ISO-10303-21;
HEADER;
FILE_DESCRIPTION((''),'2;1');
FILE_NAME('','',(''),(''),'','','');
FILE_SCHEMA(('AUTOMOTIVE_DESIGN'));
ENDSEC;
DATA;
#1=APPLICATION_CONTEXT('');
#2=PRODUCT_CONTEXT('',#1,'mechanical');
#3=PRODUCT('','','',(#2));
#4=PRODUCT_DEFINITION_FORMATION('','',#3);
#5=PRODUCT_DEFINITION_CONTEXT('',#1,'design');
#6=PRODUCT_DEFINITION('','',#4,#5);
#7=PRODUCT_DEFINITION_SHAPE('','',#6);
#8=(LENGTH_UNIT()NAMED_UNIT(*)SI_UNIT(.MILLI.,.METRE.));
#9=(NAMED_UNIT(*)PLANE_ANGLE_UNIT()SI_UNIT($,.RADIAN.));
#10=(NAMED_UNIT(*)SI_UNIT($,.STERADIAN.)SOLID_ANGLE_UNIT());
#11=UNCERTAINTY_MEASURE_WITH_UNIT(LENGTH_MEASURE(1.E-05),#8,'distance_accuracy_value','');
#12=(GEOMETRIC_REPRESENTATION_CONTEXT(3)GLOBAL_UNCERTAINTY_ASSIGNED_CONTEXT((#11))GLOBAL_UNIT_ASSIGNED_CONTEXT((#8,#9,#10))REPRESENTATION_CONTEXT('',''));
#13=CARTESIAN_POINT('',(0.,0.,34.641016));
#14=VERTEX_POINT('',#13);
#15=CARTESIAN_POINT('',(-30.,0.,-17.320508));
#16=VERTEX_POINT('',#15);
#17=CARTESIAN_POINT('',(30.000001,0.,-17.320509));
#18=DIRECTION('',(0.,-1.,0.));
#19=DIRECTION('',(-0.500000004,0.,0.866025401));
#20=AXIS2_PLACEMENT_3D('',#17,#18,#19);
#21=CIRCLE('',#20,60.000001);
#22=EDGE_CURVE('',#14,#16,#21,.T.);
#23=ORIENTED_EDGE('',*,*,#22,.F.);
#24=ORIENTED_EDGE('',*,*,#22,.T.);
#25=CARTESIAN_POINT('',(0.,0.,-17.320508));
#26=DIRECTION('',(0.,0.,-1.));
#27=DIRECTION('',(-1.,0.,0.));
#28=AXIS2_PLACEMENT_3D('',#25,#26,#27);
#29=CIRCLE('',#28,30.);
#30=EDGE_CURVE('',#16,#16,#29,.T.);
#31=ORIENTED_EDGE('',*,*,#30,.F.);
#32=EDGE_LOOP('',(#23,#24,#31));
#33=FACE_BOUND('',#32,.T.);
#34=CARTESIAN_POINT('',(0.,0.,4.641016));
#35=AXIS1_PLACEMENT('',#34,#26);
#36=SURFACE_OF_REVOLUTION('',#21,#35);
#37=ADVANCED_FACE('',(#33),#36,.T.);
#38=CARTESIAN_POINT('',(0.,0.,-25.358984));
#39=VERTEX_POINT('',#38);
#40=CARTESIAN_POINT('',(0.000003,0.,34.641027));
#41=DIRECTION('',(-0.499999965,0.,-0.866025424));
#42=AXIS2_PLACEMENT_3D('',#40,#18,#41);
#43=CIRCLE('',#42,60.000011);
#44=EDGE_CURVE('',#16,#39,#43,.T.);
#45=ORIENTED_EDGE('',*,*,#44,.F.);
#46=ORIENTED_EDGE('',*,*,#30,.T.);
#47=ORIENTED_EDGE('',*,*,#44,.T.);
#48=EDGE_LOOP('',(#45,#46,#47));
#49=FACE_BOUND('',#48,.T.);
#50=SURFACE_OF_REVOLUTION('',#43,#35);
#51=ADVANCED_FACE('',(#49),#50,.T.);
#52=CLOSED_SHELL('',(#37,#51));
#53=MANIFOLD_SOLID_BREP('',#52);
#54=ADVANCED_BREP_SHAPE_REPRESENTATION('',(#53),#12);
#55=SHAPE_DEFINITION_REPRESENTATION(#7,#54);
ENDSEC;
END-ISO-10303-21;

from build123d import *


with BuildPart() as f1:
    # F0 (on Front) → F1 (revolve)
    with BuildSketch(Plane.XZ):
        with BuildLine():
            Line((0, -25.358984), (0, 34.641016))
            ThreePointArc((0, 34.641016), (-21.961524, 12.679492), (-30, -17.320508))
            ThreePointArc((-30, -17.320508), (-15.529143, -23.314533), (0, -25.358984))
        make_face()
    revolve(axis=Axis((0, 0, 4.641016), (0, 0, -1)))


solid = f1.part
